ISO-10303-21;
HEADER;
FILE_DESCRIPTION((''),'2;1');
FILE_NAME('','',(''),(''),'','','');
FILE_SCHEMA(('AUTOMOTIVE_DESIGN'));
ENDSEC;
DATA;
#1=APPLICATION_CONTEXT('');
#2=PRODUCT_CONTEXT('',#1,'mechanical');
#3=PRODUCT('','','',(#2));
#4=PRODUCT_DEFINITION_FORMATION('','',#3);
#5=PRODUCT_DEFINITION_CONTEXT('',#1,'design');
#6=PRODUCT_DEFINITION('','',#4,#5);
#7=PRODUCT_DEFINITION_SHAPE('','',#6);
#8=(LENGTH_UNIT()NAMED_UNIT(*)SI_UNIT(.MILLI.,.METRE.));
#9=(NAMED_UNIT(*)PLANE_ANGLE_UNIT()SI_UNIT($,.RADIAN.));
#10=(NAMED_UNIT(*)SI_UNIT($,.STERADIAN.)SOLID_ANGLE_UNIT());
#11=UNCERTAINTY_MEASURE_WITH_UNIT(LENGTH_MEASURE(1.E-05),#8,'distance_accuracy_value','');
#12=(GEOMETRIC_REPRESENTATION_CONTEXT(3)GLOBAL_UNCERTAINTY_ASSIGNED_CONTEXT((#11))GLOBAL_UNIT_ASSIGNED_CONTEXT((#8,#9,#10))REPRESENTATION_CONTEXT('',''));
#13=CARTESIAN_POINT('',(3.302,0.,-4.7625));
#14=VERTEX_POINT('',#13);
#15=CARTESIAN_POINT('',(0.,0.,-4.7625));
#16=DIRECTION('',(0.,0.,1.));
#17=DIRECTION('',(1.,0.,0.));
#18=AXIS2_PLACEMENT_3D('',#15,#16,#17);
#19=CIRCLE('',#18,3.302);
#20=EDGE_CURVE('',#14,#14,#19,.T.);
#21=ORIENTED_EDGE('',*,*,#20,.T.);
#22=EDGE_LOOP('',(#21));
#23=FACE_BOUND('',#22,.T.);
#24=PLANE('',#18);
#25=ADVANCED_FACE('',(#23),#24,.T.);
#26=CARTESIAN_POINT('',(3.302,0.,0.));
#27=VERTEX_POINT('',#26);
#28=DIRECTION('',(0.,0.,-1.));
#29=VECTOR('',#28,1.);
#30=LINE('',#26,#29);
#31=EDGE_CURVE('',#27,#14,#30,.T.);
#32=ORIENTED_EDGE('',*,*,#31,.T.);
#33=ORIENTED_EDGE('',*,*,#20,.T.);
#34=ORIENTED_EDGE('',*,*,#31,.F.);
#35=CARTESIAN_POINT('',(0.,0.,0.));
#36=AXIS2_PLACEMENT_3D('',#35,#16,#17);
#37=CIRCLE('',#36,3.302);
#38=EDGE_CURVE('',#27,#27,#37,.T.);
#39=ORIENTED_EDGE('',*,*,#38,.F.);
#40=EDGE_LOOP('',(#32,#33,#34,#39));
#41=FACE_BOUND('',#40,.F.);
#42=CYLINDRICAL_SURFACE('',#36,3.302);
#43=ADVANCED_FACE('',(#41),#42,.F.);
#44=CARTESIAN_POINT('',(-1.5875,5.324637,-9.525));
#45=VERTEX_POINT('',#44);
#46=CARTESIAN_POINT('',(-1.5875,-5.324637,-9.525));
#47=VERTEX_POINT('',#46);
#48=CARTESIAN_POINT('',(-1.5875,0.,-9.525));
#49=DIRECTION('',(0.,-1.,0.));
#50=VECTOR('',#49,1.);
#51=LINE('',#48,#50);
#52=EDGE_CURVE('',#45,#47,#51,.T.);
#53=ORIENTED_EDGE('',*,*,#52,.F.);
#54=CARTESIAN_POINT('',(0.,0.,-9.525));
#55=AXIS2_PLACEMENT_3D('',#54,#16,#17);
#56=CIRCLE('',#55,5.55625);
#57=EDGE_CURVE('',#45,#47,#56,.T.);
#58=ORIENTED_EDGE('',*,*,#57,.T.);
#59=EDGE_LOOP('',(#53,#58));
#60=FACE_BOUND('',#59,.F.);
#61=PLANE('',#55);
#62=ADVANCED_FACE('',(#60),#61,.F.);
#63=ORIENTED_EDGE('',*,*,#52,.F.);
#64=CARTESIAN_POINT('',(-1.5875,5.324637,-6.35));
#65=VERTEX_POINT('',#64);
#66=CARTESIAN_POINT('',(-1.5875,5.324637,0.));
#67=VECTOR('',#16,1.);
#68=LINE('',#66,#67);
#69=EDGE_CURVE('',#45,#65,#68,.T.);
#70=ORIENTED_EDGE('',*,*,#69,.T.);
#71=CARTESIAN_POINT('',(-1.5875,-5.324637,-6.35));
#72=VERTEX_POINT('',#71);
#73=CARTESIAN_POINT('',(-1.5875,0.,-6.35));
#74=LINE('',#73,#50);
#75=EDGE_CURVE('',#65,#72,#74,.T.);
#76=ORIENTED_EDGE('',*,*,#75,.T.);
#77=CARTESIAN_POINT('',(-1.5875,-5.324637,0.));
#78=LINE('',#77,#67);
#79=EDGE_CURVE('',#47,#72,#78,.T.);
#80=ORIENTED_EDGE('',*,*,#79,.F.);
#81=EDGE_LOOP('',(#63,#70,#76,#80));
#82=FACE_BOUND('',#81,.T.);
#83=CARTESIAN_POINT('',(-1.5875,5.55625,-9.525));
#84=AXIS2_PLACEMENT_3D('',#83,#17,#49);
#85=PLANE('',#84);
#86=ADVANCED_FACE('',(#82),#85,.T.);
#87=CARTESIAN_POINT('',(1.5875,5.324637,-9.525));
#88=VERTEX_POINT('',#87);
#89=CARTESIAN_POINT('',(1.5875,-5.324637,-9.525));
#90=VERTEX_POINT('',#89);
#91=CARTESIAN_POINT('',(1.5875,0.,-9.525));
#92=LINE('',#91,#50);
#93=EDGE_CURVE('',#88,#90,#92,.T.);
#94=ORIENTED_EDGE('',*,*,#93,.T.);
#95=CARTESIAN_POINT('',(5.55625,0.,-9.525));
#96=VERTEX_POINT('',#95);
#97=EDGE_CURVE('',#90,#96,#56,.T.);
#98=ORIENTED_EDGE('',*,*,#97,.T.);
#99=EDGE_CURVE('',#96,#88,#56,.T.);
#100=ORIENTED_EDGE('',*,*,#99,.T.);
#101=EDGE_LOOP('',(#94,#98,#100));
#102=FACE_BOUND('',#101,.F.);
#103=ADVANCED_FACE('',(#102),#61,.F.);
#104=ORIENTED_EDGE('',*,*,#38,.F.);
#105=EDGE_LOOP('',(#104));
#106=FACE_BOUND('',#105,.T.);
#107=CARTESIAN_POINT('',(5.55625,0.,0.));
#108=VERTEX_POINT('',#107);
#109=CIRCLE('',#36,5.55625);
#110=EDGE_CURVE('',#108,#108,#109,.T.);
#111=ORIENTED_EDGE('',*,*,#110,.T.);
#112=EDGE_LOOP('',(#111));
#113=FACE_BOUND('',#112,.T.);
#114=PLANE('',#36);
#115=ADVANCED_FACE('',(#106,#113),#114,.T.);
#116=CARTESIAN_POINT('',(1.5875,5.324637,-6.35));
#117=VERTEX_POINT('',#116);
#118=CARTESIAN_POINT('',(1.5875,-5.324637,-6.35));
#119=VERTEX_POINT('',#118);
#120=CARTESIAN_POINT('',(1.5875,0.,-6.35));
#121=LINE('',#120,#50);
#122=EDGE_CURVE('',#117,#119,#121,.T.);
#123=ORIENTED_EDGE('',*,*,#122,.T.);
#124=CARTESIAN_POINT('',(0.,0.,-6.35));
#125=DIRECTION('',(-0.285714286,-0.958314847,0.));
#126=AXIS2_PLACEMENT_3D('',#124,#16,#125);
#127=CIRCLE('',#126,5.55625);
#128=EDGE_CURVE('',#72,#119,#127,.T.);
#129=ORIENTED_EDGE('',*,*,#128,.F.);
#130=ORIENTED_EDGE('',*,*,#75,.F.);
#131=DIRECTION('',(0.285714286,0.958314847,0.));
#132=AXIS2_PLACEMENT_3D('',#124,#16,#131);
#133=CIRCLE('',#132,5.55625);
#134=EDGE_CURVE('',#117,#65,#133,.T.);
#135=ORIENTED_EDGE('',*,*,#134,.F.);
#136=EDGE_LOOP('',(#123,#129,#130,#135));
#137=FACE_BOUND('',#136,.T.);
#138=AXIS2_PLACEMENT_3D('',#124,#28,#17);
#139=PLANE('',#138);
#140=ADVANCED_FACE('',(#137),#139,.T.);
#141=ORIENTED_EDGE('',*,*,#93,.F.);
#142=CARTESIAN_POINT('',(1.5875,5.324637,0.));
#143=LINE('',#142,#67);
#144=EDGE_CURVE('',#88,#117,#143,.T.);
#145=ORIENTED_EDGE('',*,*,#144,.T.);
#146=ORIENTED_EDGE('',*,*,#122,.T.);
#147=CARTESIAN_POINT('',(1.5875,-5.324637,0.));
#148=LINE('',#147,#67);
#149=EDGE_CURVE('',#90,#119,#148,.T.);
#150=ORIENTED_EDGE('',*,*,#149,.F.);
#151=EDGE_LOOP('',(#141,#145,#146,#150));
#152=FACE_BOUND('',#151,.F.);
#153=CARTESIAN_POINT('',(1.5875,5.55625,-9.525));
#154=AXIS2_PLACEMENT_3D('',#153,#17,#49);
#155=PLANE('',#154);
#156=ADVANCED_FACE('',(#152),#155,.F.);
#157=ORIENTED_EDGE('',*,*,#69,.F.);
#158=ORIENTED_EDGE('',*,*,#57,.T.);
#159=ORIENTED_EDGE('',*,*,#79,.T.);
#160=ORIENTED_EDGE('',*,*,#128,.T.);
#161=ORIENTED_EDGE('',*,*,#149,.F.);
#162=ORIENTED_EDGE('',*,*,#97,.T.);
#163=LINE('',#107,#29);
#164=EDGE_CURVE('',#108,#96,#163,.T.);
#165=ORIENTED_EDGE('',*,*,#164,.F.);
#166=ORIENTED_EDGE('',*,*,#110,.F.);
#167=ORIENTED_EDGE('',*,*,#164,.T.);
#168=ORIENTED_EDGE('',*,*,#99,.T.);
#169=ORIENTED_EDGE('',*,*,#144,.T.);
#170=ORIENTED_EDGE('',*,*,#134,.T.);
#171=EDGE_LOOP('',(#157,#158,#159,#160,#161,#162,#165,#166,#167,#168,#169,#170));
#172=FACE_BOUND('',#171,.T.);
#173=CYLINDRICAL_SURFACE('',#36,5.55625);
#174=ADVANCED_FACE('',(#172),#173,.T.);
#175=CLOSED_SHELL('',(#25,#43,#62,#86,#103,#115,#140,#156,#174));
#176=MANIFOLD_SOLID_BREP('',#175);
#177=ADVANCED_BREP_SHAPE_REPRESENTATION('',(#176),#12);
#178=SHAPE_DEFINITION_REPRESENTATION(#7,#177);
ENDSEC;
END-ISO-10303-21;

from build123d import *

# Parameters (mm, degrees)
F0_R     = 5.55625
F1_DEPTH = 9.525
F2_W     = 3.175
F2_H     = 11.1125
F3_DEPTH = 3.175
F4_R     = 3.302
F5_DEPTH = 4.7625


with BuildPart() as f1:
    # F0 (on Top) → F1 (new body)
    with BuildSketch(Plane.XY):
        Circle(F0_R)
    extrude(amount=-F1_DEPTH)

    # F2 (on face) → F3 (cut)
    with BuildSketch(Plane(origin=(0, 0, -9.525), x_dir=(1, 0, 0), z_dir=(0, 0, -1))):
        Rectangle(F2_W, F2_H)
    extrude(amount=-F3_DEPTH, mode=Mode.SUBTRACT)

    # F4 (on face) → F5 (cut)
    with BuildSketch(Plane.XY):
        Circle(F4_R)
    extrude(amount=-F5_DEPTH, mode=Mode.SUBTRACT)


solid = f1.part
